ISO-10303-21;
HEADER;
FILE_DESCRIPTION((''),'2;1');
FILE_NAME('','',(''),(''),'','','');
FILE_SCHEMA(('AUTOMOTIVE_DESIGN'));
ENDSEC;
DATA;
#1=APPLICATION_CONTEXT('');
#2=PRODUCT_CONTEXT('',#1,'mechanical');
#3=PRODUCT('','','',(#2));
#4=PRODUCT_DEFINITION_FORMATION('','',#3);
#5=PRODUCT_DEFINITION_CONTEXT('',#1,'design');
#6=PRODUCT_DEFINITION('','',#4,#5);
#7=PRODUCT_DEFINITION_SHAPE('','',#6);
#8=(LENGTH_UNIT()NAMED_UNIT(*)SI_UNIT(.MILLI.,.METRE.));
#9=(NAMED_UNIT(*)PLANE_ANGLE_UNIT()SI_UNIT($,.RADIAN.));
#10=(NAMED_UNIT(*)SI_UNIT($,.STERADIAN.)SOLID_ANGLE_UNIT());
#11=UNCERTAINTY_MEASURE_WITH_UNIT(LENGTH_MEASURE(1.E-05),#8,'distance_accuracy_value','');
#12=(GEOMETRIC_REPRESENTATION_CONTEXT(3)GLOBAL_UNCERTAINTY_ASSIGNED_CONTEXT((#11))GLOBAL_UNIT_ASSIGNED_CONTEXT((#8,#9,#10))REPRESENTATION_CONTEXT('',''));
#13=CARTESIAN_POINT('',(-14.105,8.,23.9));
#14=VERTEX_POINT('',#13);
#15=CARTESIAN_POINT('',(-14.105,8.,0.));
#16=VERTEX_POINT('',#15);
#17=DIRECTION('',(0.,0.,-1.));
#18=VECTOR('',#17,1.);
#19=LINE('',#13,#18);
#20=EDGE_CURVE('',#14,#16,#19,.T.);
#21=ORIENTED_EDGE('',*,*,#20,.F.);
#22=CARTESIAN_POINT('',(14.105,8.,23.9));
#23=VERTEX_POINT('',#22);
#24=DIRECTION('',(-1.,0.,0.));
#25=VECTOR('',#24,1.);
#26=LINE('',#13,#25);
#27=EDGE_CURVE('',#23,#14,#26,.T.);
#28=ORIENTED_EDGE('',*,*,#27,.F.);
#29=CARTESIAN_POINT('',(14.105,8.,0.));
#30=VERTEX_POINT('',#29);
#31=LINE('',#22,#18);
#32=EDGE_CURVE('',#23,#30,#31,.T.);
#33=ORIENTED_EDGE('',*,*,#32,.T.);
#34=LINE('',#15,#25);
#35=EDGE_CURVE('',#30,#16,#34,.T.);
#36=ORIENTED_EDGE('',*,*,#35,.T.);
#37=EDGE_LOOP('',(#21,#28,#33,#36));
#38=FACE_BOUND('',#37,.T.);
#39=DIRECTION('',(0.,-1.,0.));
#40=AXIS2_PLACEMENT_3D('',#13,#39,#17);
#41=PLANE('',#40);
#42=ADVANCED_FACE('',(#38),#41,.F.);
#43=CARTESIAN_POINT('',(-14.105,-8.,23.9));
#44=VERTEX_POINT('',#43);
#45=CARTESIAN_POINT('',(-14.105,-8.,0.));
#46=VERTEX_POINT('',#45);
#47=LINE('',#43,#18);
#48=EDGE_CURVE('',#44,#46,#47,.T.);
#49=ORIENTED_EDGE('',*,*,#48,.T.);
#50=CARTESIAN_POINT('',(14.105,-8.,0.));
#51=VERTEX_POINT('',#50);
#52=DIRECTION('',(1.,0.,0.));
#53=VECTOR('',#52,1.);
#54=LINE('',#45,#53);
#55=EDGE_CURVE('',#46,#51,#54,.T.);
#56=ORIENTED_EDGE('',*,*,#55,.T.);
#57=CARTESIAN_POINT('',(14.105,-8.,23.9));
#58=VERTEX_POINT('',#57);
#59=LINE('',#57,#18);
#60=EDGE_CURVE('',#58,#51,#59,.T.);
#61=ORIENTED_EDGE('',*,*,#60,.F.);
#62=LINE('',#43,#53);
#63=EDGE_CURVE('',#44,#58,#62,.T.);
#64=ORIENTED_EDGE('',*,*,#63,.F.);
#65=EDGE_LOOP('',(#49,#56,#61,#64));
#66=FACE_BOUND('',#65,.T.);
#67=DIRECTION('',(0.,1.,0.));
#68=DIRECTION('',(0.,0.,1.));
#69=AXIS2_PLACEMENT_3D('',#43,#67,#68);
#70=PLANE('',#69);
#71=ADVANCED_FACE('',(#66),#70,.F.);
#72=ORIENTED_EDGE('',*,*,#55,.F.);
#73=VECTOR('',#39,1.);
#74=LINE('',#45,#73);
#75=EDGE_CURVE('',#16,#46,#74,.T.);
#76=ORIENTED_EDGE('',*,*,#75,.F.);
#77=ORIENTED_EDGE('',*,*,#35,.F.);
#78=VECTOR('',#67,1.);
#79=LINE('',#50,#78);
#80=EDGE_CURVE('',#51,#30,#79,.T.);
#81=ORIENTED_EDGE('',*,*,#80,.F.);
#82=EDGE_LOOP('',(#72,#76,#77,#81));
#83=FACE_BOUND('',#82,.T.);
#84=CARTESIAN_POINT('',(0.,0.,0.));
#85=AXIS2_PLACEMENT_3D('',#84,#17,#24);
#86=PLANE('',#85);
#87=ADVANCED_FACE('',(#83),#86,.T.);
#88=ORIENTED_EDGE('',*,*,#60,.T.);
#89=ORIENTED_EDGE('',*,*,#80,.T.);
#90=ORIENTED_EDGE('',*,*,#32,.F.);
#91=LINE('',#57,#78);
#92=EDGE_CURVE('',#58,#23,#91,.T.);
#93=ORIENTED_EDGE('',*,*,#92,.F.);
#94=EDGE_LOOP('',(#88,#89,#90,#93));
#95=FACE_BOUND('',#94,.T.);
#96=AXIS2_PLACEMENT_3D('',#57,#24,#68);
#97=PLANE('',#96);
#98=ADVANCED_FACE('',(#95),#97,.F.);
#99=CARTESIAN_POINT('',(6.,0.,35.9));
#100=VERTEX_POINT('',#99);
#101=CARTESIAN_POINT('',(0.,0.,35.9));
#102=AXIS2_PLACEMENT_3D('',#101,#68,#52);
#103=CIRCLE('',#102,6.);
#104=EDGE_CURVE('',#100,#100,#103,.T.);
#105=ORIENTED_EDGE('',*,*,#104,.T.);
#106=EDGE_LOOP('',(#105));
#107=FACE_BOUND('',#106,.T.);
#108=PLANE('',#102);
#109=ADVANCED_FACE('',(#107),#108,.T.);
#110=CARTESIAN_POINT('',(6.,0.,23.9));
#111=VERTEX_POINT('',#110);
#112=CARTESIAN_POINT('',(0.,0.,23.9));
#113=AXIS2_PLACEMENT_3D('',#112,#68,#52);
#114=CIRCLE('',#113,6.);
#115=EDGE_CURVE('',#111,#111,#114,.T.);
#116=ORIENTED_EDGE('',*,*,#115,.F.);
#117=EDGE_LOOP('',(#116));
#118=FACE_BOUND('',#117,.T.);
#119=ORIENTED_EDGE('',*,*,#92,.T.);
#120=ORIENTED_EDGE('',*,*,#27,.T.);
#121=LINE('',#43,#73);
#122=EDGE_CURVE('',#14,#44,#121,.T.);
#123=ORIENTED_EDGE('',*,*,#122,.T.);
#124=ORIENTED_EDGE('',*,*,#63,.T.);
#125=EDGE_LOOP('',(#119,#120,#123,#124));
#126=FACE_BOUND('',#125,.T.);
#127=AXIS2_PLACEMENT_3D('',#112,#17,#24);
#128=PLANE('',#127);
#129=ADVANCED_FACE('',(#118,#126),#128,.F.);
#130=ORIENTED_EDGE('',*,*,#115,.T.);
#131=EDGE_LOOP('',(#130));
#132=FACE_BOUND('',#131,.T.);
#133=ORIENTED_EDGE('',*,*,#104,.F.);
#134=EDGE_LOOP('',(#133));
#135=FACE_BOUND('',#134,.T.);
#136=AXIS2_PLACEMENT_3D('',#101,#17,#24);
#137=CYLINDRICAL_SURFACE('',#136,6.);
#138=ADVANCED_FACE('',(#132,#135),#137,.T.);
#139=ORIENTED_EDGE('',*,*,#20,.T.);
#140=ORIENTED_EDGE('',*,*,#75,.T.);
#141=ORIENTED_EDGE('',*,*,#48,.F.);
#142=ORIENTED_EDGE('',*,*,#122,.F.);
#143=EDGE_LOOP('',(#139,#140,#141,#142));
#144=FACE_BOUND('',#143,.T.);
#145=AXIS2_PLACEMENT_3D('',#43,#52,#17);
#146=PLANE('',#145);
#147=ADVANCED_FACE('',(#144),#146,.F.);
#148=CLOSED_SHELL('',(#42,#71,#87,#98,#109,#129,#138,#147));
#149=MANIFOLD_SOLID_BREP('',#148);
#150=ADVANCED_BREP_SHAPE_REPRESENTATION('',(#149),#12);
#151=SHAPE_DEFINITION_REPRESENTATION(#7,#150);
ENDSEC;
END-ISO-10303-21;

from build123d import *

# Parameters (mm, degrees)
ESQUISSE1_W        = 28.21
ESQUISSE1_H        = 16
BOSS_EXTRU_1_DEPTH = 23.9
ESQUISSE2_R        = 6
BOSS_EXTRU_2_DEPTH = 12


with BuildPart() as part:
    # Esquisse1 → Boss.-Extru.1 (new body)
    with BuildSketch(Plane.XY):
        Rectangle(ESQUISSE1_W, ESQUISSE1_H)
    extrude(amount=BOSS_EXTRU_1_DEPTH)

    # Esquisse2 → Boss.-Extru.2 (add)
    with BuildSketch(Plane.XY.offset(23.9)):
        Circle(ESQUISSE2_R)
    extrude(amount=BOSS_EXTRU_2_DEPTH)


solid = part.part
